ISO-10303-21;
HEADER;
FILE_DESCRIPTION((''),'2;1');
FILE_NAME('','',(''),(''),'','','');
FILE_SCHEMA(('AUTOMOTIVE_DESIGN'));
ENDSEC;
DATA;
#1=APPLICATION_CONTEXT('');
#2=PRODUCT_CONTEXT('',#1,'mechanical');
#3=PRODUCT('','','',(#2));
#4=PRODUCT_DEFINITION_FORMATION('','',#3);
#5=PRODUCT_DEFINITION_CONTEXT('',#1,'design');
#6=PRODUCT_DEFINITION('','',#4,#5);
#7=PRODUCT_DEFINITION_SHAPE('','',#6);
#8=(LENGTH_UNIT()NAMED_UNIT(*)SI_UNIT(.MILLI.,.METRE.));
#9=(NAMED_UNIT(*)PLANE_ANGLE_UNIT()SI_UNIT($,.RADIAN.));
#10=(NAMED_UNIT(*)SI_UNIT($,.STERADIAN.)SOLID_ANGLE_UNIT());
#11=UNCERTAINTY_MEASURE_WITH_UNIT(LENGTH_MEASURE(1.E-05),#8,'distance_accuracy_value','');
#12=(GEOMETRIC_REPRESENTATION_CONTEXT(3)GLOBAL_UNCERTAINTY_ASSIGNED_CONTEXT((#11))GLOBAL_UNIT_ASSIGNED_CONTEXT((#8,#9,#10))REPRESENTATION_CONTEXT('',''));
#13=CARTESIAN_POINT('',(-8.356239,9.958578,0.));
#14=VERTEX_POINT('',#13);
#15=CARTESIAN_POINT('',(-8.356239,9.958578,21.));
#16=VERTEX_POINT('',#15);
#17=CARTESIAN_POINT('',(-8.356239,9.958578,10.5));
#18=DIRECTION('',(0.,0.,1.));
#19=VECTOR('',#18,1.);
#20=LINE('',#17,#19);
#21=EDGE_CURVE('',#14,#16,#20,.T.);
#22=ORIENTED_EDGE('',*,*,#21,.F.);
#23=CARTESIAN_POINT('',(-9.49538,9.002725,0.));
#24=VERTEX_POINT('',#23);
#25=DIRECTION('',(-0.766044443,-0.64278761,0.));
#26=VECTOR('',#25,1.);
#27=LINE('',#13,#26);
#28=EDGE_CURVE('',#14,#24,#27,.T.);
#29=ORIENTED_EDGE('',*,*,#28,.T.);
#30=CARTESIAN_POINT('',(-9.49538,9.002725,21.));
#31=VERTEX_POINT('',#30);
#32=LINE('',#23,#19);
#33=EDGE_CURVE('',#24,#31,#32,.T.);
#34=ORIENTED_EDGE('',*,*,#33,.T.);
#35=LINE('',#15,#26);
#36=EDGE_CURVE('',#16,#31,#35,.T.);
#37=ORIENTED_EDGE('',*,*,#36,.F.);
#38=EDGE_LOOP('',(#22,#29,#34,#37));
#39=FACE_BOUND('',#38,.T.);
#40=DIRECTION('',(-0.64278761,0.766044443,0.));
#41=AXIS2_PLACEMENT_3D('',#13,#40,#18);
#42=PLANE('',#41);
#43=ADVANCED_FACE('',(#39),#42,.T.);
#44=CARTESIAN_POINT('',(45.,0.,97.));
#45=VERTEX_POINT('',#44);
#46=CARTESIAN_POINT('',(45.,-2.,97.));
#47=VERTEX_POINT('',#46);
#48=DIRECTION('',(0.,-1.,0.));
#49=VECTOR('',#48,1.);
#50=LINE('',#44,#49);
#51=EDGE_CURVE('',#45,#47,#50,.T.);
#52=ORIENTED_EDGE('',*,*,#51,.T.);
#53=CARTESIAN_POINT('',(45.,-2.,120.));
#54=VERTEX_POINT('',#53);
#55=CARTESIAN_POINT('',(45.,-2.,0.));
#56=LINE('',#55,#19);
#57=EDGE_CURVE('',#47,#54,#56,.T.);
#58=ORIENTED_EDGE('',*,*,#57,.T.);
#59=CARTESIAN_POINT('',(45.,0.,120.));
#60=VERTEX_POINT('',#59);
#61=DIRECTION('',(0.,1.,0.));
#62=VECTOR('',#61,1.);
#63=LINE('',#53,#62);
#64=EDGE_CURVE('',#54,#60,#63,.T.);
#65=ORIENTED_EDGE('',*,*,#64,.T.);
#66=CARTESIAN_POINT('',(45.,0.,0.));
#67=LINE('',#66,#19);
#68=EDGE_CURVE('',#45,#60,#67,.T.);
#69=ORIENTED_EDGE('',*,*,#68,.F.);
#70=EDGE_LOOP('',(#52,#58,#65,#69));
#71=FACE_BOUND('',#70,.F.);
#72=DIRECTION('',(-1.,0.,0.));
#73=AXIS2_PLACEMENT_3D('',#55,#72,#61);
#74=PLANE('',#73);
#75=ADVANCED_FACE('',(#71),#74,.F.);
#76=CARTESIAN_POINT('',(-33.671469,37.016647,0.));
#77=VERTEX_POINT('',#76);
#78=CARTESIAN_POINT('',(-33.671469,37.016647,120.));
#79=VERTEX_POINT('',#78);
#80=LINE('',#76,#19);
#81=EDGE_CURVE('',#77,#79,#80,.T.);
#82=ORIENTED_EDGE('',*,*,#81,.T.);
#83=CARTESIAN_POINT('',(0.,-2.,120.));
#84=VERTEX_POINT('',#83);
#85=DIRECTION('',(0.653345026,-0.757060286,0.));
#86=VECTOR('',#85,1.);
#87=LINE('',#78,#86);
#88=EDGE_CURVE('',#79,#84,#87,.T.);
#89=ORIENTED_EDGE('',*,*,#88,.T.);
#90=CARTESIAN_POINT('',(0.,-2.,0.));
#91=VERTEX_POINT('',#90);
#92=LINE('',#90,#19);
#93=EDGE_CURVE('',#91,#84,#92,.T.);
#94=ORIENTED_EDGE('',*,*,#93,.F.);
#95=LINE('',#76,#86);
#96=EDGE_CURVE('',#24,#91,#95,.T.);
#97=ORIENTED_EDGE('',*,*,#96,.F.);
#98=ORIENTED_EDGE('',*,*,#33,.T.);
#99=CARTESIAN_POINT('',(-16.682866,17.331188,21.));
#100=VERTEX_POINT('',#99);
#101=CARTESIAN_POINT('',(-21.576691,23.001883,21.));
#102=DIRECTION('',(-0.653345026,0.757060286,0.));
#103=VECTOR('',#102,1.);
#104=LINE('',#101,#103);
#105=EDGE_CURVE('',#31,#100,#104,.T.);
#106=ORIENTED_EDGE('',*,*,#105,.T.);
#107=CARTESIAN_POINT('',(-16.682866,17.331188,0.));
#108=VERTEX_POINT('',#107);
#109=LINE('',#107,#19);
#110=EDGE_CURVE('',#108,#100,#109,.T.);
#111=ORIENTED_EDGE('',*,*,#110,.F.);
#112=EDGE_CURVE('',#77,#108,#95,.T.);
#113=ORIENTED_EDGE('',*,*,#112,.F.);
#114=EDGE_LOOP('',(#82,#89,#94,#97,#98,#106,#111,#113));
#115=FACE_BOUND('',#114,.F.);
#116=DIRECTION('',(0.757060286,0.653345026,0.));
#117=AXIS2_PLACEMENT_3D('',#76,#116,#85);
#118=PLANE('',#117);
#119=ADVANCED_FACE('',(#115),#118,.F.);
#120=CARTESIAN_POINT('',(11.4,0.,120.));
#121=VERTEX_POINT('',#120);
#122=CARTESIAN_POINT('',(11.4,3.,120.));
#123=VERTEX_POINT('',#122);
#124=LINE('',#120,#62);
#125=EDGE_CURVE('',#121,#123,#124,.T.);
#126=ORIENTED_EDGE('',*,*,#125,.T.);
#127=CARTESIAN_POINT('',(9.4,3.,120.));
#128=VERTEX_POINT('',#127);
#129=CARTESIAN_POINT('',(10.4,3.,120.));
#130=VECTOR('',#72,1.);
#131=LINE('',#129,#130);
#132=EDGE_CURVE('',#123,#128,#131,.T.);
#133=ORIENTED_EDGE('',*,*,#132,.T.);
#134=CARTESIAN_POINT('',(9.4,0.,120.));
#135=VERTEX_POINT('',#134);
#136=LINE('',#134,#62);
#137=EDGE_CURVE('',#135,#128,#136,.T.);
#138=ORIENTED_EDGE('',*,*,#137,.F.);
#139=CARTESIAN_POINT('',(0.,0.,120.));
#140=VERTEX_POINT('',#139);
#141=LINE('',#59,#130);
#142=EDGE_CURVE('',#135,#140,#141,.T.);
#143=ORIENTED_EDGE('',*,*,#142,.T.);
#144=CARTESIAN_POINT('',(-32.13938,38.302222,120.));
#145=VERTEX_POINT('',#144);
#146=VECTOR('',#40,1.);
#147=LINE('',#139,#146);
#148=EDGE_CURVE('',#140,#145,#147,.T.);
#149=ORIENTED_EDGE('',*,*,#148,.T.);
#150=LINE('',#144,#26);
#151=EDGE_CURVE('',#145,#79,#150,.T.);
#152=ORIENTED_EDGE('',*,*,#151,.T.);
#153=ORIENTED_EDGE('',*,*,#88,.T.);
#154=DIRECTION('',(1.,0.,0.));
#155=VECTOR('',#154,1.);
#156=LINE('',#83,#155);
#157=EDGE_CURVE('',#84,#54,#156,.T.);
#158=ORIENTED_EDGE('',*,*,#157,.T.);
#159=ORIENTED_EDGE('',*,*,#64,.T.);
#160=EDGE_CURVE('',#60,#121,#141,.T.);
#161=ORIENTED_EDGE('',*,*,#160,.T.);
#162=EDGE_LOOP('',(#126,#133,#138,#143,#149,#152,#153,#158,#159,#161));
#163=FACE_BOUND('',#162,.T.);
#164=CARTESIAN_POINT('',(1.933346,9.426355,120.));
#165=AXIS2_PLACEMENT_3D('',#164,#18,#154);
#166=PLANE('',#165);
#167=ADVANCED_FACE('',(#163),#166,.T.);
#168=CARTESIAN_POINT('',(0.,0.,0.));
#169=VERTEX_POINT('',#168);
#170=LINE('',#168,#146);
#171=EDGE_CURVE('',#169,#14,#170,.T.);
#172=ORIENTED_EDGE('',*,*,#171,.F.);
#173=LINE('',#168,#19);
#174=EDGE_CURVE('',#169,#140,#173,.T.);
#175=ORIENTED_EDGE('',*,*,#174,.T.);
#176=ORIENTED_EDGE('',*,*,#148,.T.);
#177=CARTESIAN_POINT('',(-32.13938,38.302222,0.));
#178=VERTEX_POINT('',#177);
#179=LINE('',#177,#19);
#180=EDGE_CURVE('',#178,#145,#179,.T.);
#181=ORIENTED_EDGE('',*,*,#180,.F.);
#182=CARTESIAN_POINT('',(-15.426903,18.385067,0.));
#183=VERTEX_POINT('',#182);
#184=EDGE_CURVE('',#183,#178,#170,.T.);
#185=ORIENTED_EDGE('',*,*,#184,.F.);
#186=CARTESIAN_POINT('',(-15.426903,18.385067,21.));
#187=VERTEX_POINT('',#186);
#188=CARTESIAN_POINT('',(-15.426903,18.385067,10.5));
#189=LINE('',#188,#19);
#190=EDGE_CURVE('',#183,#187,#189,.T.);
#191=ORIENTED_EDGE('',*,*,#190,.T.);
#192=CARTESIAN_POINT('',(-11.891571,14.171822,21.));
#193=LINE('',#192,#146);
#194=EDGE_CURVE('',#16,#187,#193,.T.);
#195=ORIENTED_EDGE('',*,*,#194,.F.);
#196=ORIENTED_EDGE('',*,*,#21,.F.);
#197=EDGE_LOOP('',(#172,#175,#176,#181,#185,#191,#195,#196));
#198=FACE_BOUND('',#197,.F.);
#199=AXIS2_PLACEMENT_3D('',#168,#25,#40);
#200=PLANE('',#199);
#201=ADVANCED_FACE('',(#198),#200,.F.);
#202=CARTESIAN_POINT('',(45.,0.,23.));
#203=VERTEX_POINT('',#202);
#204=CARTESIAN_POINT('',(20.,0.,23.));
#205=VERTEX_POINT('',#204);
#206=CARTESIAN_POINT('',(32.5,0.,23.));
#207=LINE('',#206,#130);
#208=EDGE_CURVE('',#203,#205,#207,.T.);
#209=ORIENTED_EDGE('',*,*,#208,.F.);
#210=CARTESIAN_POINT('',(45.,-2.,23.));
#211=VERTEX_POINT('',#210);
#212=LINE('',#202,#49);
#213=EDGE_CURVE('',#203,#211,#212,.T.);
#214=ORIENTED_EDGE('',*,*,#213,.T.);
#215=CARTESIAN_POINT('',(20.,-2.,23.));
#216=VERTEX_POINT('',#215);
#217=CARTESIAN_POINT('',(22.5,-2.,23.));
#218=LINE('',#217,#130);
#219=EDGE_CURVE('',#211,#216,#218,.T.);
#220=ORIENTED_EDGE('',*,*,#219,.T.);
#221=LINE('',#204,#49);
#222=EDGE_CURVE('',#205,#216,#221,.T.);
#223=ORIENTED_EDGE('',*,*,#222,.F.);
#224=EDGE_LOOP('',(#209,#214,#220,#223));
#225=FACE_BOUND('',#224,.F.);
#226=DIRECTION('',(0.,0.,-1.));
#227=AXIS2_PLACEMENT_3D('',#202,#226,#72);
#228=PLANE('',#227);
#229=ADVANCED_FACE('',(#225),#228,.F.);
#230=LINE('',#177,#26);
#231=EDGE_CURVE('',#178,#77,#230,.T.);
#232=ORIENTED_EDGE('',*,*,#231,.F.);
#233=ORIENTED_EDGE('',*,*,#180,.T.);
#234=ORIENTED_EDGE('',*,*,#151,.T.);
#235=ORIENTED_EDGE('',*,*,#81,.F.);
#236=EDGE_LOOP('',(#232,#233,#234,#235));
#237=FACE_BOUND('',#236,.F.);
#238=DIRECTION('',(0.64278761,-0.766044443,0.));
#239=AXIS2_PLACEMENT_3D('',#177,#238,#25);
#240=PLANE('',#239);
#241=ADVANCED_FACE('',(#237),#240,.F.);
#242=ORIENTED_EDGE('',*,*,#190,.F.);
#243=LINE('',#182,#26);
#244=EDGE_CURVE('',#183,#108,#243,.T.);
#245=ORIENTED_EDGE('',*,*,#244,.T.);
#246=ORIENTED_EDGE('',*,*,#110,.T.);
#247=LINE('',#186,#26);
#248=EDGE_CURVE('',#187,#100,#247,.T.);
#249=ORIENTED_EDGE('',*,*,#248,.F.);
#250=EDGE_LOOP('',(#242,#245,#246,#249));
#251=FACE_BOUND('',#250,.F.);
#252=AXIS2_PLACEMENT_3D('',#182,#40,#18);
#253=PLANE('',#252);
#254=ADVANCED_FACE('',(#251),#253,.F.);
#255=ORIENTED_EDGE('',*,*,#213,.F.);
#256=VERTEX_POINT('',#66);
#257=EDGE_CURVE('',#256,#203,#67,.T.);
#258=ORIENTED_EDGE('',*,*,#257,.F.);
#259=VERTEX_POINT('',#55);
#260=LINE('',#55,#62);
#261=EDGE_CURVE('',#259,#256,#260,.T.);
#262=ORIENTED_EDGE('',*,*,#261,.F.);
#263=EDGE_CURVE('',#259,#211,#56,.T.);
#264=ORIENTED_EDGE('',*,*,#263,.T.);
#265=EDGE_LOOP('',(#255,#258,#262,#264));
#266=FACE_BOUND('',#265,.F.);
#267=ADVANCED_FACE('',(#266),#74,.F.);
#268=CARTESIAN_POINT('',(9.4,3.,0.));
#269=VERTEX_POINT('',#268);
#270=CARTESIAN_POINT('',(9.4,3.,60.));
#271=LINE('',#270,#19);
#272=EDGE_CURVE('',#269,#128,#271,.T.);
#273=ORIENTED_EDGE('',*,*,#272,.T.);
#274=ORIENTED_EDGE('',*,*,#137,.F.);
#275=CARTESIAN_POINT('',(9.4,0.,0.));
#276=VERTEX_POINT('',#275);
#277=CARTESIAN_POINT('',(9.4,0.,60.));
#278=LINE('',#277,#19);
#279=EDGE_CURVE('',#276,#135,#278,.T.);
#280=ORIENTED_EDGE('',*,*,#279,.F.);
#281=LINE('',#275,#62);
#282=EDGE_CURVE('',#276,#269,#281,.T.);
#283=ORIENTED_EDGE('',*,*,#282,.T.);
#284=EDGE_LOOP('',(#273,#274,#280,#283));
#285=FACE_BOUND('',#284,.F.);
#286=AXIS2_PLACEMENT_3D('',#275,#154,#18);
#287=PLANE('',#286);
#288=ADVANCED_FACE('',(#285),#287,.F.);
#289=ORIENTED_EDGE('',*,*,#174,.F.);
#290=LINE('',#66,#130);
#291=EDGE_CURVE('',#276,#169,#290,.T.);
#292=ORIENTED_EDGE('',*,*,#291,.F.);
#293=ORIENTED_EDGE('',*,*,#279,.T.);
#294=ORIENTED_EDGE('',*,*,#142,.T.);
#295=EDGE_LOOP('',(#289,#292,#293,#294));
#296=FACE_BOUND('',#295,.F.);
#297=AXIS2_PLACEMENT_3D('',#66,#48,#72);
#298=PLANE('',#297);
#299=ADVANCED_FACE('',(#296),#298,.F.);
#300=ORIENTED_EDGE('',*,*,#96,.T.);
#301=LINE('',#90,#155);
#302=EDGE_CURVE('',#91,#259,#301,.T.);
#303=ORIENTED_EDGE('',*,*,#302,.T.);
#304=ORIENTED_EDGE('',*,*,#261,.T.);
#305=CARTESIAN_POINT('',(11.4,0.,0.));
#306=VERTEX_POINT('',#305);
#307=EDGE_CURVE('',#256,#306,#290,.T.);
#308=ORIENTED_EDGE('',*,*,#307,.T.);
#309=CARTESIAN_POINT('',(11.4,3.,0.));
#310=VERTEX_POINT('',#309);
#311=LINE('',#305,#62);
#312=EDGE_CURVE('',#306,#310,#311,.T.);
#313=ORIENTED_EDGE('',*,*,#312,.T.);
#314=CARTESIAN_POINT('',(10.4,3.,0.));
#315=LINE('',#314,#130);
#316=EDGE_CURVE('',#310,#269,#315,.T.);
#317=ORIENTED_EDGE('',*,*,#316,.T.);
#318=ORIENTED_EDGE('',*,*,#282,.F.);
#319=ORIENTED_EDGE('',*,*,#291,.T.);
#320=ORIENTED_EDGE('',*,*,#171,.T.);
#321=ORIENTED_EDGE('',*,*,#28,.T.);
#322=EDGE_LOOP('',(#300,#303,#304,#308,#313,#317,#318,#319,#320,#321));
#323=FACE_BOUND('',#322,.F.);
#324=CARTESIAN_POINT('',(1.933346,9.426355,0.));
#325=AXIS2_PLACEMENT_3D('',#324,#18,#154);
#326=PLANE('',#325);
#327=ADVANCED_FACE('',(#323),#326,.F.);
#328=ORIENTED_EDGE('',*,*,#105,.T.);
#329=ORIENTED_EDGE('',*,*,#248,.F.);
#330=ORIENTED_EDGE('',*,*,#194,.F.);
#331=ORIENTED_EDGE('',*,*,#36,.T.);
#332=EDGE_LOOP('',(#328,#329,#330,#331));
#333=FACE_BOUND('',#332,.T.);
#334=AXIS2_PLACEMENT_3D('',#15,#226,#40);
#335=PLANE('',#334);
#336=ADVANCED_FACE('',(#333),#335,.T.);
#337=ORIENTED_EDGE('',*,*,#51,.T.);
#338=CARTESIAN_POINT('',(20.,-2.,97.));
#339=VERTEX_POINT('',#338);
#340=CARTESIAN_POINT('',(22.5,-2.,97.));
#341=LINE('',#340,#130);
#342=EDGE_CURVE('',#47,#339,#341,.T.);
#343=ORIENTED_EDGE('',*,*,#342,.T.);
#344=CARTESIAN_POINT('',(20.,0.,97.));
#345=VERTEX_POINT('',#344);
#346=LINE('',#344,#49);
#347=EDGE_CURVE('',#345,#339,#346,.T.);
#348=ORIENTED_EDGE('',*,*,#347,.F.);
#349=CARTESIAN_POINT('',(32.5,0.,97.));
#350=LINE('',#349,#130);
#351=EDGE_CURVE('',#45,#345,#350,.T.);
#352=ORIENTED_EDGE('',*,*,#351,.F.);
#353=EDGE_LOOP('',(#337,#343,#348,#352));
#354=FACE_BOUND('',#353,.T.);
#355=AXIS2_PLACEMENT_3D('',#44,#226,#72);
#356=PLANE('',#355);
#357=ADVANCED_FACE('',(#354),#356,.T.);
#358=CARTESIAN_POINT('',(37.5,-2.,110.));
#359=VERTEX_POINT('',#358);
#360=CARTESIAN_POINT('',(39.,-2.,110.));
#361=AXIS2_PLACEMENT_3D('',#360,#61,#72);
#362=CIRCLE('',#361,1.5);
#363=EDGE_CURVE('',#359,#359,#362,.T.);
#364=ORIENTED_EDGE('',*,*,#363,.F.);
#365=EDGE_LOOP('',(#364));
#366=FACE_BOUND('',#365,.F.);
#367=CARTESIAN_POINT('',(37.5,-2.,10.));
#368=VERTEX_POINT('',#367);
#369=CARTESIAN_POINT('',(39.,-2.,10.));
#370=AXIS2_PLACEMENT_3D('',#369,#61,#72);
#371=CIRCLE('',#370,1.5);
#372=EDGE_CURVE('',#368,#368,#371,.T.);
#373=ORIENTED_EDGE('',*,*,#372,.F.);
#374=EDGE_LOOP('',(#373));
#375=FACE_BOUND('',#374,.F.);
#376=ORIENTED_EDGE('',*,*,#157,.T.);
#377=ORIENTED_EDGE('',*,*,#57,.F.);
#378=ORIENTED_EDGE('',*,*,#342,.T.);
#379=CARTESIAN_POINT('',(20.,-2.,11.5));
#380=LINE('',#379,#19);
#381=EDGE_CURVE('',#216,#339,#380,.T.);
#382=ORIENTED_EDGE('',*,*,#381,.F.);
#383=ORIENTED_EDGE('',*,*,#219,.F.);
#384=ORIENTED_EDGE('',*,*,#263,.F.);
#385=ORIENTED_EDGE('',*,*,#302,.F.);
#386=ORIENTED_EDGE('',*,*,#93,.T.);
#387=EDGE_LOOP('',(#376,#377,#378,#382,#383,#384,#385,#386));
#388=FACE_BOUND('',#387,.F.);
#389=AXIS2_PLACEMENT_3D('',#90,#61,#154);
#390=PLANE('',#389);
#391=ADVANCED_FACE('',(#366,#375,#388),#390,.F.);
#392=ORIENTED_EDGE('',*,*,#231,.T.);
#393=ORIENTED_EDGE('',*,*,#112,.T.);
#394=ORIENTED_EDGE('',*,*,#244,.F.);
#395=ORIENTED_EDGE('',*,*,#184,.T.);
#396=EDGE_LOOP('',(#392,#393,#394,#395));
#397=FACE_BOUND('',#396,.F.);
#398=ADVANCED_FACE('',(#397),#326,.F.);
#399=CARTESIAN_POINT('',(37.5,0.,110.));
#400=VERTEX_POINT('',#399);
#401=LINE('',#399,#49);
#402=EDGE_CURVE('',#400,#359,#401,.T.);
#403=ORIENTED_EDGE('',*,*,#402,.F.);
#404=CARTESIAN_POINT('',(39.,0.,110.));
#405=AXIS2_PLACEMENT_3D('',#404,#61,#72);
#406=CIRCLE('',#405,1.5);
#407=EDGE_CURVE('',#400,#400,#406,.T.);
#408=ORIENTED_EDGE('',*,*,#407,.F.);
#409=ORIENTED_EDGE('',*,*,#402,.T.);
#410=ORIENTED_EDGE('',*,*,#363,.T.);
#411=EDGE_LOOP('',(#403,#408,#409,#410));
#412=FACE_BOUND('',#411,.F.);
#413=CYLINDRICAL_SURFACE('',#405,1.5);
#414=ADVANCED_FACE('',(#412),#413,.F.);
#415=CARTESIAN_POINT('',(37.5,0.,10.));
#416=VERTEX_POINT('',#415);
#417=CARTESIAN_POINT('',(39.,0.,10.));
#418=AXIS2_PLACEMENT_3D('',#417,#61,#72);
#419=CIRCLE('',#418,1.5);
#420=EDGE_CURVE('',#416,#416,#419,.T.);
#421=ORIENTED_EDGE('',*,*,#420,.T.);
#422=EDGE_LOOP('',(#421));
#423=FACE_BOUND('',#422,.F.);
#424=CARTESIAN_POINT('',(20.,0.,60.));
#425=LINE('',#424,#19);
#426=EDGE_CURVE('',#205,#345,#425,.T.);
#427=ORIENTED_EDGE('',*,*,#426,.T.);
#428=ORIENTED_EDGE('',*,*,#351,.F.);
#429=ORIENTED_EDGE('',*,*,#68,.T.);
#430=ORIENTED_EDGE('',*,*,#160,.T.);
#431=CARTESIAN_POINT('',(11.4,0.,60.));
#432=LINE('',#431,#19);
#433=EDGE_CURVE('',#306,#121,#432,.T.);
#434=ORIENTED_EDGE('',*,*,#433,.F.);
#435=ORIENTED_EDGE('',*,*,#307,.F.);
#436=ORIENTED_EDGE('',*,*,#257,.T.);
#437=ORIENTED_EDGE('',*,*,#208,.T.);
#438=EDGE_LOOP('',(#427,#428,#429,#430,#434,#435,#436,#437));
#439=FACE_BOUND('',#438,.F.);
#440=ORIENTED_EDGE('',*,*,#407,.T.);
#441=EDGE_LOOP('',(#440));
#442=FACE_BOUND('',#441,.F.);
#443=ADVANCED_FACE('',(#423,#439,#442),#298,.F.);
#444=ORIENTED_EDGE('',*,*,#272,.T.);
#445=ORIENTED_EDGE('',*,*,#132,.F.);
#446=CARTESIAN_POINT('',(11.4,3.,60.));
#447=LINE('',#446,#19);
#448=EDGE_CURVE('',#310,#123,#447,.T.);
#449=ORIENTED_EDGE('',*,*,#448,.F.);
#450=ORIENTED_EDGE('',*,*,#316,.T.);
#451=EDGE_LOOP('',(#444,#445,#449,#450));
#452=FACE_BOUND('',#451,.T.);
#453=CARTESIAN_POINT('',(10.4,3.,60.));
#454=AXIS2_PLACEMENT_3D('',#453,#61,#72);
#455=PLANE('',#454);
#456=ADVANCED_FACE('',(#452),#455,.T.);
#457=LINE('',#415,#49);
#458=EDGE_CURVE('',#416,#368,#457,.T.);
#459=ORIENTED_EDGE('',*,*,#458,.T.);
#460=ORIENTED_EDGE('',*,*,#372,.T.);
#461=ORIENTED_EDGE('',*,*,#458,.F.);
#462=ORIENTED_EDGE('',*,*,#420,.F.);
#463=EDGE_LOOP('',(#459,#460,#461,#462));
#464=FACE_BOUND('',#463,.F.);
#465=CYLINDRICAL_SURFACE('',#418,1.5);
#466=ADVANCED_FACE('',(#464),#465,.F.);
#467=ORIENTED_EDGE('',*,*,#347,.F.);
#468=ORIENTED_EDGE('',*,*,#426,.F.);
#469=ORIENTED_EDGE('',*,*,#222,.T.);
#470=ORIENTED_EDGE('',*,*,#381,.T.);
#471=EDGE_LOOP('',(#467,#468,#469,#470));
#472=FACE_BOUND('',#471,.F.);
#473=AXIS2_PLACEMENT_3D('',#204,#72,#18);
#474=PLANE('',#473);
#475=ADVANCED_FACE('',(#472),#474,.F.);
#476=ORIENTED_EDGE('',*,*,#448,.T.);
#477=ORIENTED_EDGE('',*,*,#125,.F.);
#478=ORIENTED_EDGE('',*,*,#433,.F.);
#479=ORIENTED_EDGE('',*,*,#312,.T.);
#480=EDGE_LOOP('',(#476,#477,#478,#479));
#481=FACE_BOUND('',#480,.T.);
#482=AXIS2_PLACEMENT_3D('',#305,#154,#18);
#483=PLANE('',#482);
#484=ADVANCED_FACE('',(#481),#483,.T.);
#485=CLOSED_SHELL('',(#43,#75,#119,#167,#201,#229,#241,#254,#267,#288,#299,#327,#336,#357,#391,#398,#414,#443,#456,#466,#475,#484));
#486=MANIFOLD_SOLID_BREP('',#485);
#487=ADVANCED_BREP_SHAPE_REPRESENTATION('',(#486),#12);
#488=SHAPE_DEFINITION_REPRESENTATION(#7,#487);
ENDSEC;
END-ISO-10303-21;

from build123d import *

# Parameters (mm, degrees)
F1_DEPTH = 120
F6_R     = 1.5
F6_W     = 25
F6_H     = 74
F2_DEPTH = 2.001
F6_W_2   = 2
F6_H_2   = 120
F3_DEPTH = 3
F4_W     = 11
F4_H     = 21
F5_DEPTH = 25


with BuildPart() as f1:
    # F0 (on Top) → F1 (new body)
    with BuildSketch(Plane.XY):
        Polygon((45, 0), (0, 0), (-32.1393804843, 38.3022221559), (-33.6714693706, 37.0166469366), (0, -2), (45, -2), align=None)
    extrude(amount=F1_DEPTH)

    # F6 (on face) → F2 (cut, through all)
    with BuildSketch(Plane(origin=(0, 0, 0), x_dir=(-1, 0, 0), z_dir=(0, 1, 0))):
        with Locations((-39, 110)):
            Circle(F6_R)
        with Locations((-39, 10)):
            Circle(F6_R)
        with Locations((-32.5, 60)):
            Rectangle(F6_W, F6_H)
    extrude(amount=-F2_DEPTH, mode=Mode.SUBTRACT)

    # F6 (on face) → F3 (join)
    with BuildSketch(Plane(origin=(0, 0, 0), x_dir=(-1, 0, 0), z_dir=(0, 1, 0))):
        with Locations((-10.4, 60)):
            Rectangle(F6_W_2, F6_H_2)
    extrude(amount=F3_DEPTH)

    # F4 (on face) → F5 (cut)
    with BuildSketch(Plane(origin=(0, 0, 0), x_dir=(-0.6427876097, 0.7660444431, 0), z_dir=(0.7660444431, 0.6427876097, 0))):
        with Locations((18.5, 10.5)):
            Rectangle(F4_W, F4_H)
    extrude(amount=-F5_DEPTH, mode=Mode.SUBTRACT)


solid = f1.part
